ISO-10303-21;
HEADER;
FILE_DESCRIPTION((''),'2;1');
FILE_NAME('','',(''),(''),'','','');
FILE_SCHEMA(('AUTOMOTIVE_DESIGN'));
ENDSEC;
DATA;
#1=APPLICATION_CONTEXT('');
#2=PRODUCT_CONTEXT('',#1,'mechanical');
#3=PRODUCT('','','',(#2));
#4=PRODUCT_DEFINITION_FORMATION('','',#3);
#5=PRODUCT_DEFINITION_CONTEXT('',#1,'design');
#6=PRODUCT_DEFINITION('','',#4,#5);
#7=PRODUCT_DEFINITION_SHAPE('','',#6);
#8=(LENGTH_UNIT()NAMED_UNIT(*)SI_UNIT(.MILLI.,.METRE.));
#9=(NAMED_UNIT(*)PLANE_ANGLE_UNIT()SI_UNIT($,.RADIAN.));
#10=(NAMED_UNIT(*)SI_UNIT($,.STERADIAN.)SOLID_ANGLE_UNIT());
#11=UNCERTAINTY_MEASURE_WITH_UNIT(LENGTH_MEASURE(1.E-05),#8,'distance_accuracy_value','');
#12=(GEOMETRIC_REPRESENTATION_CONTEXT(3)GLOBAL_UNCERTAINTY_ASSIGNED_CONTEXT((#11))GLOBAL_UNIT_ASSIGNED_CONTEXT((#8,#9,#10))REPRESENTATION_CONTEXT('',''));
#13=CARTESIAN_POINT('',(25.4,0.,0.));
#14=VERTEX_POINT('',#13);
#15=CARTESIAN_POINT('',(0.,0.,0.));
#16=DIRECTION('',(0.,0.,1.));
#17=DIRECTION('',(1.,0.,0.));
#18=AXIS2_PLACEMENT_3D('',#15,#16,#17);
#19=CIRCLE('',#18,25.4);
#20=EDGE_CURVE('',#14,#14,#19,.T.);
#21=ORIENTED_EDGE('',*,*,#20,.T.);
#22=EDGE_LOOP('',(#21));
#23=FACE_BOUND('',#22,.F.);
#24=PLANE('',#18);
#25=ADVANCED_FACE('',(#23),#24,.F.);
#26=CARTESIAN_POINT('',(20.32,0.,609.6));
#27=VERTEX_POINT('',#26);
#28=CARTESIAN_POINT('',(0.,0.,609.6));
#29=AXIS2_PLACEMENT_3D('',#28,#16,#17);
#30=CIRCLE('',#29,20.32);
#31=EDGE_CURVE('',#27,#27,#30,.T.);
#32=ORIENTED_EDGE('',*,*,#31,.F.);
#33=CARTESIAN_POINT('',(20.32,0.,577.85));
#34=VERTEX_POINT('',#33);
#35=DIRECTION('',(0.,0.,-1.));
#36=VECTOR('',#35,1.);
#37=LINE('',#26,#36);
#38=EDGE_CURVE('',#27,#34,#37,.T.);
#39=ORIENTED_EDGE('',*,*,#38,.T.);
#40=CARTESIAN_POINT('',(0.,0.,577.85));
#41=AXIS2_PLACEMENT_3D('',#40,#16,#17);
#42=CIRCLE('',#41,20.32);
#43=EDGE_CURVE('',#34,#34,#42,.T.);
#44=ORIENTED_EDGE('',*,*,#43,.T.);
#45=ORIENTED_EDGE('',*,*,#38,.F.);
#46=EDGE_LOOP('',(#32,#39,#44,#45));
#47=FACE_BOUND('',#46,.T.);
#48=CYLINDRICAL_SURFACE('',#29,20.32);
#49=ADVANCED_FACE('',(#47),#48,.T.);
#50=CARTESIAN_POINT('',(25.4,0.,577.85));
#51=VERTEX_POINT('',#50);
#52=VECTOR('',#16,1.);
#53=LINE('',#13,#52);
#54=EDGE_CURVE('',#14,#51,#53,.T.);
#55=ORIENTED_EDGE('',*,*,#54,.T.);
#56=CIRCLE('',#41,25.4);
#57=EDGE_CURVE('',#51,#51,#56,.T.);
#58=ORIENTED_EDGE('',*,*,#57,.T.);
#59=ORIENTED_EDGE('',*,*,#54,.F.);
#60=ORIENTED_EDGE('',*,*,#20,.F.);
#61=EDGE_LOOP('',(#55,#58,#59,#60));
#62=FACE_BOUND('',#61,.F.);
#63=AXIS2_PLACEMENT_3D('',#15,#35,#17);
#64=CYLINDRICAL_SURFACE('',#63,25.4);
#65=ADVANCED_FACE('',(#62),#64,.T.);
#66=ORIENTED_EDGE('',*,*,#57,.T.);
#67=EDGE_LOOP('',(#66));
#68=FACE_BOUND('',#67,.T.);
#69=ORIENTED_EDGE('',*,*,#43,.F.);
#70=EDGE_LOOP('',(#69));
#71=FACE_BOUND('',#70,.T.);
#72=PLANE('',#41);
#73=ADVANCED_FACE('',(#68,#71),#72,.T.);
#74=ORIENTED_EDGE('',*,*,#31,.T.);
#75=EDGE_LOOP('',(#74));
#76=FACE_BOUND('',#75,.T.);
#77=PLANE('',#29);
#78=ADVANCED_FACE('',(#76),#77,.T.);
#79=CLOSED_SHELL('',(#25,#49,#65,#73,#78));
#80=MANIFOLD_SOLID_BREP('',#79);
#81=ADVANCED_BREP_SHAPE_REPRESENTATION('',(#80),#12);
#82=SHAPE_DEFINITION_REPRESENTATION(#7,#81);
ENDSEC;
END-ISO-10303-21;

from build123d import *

# Parameters (mm, degrees)
F0_R     = 25.4
F1_DEPTH = 609.6
F2_R     = 25.4
F2_R_2   = 20.32
F3_DEPTH = 31.75


with BuildPart() as f1:
    # F0 (on Top) → F1 (new body)
    with BuildSketch(Plane.XY):
        Circle(F0_R)
    extrude(amount=F1_DEPTH)

    # F2 (on face) → F3 (cut)
    with BuildSketch(Plane.XY.offset(609.6)):
        Circle(F2_R)
        Circle(F2_R_2, mode=Mode.SUBTRACT)
    extrude(amount=-F3_DEPTH, mode=Mode.SUBTRACT)


solid = f1.part
